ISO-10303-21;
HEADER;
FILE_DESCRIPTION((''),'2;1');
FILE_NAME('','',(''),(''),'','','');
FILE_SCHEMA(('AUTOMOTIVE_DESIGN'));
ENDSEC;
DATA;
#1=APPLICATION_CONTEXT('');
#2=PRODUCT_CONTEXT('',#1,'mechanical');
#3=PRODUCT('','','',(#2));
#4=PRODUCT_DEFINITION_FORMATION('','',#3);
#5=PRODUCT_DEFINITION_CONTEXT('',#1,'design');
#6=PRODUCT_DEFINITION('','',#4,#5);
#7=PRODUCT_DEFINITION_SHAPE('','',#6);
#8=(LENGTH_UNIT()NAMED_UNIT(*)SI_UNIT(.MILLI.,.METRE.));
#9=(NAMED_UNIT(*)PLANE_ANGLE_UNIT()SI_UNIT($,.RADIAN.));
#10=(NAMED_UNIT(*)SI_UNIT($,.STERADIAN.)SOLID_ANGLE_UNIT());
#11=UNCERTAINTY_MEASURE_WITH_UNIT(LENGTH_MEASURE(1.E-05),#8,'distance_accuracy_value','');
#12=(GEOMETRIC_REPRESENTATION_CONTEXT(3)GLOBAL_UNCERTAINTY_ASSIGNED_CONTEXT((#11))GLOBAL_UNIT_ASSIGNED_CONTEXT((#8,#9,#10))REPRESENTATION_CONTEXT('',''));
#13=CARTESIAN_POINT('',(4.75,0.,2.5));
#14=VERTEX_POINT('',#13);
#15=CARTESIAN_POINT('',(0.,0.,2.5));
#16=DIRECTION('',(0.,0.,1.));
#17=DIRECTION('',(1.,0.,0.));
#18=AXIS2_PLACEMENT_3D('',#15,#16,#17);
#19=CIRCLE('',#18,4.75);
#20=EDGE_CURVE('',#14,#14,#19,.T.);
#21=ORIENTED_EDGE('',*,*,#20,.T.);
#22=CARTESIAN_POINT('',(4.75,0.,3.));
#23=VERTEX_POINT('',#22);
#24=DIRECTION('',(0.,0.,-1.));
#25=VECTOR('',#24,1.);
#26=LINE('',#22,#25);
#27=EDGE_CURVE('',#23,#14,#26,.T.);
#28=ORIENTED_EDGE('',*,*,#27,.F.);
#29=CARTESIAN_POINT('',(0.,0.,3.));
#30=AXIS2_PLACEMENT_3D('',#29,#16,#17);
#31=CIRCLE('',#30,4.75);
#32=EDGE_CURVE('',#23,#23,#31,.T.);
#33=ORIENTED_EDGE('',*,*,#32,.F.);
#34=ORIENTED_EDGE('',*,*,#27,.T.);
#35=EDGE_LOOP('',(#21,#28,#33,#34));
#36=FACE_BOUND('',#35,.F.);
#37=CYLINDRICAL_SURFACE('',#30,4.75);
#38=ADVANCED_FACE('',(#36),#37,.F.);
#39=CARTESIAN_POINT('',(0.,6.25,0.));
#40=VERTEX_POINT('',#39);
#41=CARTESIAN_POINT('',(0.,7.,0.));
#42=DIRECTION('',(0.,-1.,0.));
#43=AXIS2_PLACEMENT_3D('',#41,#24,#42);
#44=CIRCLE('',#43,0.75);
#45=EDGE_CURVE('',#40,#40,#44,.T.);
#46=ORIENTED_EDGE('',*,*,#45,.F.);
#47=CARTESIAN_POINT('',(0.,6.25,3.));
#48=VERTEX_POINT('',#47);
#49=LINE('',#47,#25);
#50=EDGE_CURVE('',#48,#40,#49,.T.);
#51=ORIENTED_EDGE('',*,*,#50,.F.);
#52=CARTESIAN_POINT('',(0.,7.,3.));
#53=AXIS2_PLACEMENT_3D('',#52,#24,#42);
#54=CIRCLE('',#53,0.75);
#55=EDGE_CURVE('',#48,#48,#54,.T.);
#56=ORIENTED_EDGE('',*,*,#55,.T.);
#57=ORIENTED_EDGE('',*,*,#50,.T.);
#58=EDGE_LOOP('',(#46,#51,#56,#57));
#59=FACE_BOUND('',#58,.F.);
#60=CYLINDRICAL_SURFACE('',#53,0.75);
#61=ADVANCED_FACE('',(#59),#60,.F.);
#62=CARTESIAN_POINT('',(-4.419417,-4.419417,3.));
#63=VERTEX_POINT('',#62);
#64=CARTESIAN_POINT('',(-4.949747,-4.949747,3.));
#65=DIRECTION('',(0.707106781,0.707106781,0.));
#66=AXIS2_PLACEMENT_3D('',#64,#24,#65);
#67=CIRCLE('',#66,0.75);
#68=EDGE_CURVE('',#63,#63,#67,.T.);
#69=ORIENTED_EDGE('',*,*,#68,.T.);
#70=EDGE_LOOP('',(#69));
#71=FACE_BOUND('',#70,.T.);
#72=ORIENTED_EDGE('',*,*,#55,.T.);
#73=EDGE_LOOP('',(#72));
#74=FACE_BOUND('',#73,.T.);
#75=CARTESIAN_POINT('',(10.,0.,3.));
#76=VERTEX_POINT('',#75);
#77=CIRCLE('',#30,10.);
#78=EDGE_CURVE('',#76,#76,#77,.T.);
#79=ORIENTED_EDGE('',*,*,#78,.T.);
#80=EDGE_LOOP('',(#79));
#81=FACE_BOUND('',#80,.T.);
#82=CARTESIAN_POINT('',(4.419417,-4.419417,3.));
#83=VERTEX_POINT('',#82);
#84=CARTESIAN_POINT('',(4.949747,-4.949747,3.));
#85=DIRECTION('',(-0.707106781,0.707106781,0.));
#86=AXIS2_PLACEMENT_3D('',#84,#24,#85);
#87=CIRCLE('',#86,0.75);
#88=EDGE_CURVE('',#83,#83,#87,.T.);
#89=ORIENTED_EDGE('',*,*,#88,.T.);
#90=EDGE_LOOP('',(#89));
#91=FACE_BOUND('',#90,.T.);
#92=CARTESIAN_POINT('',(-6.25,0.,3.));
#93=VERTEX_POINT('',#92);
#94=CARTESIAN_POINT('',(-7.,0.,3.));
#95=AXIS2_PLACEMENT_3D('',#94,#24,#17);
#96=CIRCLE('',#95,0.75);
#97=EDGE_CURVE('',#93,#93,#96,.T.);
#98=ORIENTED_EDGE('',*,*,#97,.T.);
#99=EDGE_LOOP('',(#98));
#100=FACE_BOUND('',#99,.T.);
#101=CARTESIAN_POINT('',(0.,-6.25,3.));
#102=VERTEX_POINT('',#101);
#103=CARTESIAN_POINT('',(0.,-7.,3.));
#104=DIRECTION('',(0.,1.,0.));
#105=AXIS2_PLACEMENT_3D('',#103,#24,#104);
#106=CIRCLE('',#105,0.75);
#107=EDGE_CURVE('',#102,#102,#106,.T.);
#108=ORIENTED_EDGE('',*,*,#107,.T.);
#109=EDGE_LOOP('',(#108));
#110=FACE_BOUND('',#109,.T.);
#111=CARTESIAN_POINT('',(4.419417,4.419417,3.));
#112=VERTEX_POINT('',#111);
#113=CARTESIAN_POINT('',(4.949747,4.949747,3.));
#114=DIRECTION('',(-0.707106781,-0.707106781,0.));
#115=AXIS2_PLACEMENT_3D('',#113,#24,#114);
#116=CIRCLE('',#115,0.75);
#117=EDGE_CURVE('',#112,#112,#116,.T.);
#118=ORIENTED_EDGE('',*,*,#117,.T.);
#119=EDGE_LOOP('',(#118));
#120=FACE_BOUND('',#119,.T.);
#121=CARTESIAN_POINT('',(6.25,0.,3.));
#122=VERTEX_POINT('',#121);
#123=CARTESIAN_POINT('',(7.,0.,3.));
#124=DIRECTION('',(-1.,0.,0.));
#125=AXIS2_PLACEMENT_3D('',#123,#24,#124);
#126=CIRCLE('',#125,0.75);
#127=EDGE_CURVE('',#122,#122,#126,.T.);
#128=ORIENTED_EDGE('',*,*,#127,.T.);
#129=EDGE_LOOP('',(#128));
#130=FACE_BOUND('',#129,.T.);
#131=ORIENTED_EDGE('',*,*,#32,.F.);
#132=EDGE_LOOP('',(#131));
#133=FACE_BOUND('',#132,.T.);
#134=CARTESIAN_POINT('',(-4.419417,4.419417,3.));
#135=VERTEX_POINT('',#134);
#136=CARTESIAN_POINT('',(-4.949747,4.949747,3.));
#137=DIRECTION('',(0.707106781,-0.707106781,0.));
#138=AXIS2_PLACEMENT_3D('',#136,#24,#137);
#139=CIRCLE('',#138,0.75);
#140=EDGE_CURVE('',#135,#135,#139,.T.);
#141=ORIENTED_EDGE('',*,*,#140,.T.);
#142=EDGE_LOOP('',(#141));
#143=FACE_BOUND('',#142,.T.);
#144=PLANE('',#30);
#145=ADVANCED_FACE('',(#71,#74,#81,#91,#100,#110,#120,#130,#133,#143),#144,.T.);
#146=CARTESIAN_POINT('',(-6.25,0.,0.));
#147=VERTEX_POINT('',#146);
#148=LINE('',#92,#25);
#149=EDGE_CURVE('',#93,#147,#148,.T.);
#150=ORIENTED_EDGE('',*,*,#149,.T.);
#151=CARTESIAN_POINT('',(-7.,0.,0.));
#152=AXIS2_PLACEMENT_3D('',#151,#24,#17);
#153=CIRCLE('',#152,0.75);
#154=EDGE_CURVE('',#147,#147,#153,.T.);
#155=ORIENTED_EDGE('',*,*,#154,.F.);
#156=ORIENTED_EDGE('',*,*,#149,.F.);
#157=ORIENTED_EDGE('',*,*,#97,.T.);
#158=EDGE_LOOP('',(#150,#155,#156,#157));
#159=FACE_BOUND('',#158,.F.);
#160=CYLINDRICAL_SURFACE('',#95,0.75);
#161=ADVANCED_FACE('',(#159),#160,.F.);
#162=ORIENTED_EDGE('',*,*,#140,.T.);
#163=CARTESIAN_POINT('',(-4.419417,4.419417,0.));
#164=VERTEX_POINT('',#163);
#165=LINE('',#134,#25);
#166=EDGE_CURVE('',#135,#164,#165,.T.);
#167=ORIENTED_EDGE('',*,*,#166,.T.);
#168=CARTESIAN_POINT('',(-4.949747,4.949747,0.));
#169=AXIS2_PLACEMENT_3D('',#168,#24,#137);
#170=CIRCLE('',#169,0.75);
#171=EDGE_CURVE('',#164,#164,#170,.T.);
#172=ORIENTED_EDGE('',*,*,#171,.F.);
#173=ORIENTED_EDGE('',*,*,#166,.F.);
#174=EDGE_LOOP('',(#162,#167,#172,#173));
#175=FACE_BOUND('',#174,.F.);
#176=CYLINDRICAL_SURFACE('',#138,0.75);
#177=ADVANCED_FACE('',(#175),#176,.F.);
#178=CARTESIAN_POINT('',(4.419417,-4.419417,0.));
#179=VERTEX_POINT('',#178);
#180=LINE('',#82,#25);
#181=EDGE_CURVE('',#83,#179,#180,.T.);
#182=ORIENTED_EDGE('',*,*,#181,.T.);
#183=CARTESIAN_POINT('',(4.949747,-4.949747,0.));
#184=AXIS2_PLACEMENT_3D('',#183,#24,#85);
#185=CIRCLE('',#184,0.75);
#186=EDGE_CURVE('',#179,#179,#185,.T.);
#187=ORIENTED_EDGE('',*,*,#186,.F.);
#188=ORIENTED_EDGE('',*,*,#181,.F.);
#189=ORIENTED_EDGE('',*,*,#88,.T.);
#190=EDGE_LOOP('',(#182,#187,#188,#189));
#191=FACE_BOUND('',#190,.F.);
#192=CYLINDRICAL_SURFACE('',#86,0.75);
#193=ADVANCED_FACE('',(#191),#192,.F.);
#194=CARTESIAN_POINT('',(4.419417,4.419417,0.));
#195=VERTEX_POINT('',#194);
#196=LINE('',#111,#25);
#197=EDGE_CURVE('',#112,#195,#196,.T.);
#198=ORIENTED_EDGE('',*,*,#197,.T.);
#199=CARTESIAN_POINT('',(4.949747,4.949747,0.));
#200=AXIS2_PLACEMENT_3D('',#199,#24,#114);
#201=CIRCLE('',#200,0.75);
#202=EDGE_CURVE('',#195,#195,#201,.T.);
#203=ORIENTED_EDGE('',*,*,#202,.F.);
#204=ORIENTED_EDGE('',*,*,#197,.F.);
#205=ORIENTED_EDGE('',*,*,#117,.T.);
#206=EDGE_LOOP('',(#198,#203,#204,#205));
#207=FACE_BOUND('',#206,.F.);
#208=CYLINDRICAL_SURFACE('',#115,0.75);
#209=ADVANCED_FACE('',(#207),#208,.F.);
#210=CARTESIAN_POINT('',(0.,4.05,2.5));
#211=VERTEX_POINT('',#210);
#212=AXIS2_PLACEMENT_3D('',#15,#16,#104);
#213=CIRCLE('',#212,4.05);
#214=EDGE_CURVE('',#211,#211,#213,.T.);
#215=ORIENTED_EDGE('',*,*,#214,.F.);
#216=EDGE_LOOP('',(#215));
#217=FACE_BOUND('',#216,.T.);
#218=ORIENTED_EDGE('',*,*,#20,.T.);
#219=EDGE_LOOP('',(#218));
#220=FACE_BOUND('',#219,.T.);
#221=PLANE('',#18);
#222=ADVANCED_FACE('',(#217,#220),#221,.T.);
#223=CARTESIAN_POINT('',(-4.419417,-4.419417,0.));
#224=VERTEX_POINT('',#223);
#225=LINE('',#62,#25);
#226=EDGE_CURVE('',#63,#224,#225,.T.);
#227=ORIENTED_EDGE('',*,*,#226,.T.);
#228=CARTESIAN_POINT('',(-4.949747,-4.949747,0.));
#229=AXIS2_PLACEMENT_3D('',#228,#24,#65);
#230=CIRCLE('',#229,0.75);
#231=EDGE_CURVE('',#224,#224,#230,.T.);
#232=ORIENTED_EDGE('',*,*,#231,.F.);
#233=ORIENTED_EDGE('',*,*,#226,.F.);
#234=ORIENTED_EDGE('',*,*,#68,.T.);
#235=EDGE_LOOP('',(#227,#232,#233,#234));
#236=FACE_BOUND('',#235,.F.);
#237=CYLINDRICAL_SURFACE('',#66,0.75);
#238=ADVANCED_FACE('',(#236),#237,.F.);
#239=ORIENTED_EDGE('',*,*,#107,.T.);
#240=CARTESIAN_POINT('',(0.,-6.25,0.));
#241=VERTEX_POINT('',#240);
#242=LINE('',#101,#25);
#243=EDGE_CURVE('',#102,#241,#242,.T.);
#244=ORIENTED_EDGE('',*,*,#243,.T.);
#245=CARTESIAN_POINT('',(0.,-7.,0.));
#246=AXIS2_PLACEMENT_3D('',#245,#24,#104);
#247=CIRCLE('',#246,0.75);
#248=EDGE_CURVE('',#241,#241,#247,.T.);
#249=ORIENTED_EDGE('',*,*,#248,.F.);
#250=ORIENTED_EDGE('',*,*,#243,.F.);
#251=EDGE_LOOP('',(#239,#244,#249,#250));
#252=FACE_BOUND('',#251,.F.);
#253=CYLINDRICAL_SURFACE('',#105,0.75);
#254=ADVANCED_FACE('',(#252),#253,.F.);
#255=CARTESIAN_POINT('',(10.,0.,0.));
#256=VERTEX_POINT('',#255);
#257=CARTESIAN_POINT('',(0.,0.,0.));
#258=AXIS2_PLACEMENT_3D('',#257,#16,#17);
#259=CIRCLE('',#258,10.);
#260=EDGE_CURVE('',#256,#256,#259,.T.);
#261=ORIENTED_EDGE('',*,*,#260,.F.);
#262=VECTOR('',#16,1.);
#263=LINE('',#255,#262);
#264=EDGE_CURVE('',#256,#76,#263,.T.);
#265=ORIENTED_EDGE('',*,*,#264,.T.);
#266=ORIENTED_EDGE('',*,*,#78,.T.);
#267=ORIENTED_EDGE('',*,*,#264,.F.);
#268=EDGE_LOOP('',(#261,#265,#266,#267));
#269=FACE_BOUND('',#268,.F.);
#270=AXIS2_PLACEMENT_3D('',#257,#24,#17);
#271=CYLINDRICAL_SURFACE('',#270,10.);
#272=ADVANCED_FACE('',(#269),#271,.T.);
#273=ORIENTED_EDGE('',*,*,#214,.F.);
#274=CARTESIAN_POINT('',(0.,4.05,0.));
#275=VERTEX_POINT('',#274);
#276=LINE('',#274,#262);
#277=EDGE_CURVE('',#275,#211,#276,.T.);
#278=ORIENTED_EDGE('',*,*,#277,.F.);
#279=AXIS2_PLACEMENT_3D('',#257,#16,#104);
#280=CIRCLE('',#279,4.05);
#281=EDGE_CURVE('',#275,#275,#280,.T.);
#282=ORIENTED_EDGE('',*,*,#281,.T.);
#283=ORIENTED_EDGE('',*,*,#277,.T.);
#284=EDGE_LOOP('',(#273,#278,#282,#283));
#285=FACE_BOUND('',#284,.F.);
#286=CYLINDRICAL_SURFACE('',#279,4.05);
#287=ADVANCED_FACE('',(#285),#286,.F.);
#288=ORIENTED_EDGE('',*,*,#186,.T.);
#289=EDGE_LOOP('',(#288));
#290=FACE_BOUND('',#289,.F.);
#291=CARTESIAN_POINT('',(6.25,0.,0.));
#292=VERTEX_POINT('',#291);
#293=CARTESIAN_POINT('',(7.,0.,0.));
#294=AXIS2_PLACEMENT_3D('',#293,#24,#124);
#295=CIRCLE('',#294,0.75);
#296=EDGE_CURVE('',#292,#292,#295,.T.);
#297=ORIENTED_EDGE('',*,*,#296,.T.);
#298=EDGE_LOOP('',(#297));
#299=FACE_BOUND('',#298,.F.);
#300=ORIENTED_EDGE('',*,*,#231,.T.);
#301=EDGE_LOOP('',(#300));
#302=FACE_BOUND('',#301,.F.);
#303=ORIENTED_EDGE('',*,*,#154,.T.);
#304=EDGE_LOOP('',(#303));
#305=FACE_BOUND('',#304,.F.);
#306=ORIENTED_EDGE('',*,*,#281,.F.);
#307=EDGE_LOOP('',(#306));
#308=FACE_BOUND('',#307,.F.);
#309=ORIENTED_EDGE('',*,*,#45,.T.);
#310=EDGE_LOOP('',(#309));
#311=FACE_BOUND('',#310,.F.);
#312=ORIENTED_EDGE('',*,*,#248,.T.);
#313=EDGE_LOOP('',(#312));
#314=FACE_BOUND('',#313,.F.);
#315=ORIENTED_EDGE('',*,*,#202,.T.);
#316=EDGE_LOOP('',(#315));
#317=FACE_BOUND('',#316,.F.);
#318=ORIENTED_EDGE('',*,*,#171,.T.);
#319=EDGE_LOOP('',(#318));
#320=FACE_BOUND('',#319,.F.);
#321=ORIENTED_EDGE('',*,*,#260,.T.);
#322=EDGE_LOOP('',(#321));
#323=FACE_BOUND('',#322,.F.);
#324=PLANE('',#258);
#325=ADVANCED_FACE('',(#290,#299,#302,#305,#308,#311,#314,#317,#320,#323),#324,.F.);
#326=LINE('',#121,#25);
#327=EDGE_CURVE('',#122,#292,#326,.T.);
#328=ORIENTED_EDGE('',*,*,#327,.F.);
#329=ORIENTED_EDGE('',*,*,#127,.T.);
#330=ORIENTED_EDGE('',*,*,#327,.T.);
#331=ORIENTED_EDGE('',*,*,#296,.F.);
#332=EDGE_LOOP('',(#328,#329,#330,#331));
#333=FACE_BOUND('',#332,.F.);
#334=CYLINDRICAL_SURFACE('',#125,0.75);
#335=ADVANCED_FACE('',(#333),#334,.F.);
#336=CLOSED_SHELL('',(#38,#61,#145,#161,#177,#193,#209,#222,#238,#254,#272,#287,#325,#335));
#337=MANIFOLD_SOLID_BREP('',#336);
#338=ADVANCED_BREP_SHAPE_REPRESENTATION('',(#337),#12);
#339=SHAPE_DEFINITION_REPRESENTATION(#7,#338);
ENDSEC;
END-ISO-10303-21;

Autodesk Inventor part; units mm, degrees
ref_plane "YZ Plane" through (0, 0, 0) normal (1, 0, 0) x (0, 1, 0)
ref_plane "XZ Plane" through (0, 0, 0) normal (0, 1, 0) x (-1, 0, 0)
ref_plane "XY Plane" through (0, 0, 0) normal (0, 0, 1) x (1, 0, 0)
sketch "スケッチ1" plane through (0, 0, 0) normal (0, 0, 1) x (1, 0, 0)
  circle A0 centre (0, 0) radius 10
  dimension "d0" = 20
extrude "押し出し1" add sketch "スケッチ1" along normal blind 3
sketch "スケッチ5" plane through (0, 0, 3) normal (0, 0, 1) x (1, 0, 0)
  circle A0 centre (0, 7) radius 1
  circle A1 centre (0, 0) radius 10 projected
  dimension "d30" = 2
  dimension "d77" = 0
  dimension "d78" = 7
hole "穴4" at (0, 7, 3) direction (0, 0, -1) diameter 1.5 end through all
sketch "スケッチ6" plane through (0, 0, 0) normal (0, 0, -1) x (-1, 0, 0)
  circle A0 centre (0, 0) radius 10 projected
  circle A1 centre (0, 0) radius 4.05
  dimension "d66" = 8.1
hole "穴5" at (0, 0, 0) direction (0, 0, 1) diameter 8.1 end through all
sketch "スケッチ2" plane through (0, 0, 3) normal (0, 0, 1) x (1, 0, 0)
  circle A0 centre (0, 0) radius 10 projected
  circle A1 centre (0, 0) radius 4.75
  dimension "d3" = 9.5
extrude "押し出し4" cut sketch "スケッチ2" against normal blind 0.5 contours A1
pattern_circular "円形状パターン3" count 8 over 360 about axis through (0, 0, 28.4429) along (0, 0, -1) of "穴4"
properties part number "03" material "アルミニウム 6061"
